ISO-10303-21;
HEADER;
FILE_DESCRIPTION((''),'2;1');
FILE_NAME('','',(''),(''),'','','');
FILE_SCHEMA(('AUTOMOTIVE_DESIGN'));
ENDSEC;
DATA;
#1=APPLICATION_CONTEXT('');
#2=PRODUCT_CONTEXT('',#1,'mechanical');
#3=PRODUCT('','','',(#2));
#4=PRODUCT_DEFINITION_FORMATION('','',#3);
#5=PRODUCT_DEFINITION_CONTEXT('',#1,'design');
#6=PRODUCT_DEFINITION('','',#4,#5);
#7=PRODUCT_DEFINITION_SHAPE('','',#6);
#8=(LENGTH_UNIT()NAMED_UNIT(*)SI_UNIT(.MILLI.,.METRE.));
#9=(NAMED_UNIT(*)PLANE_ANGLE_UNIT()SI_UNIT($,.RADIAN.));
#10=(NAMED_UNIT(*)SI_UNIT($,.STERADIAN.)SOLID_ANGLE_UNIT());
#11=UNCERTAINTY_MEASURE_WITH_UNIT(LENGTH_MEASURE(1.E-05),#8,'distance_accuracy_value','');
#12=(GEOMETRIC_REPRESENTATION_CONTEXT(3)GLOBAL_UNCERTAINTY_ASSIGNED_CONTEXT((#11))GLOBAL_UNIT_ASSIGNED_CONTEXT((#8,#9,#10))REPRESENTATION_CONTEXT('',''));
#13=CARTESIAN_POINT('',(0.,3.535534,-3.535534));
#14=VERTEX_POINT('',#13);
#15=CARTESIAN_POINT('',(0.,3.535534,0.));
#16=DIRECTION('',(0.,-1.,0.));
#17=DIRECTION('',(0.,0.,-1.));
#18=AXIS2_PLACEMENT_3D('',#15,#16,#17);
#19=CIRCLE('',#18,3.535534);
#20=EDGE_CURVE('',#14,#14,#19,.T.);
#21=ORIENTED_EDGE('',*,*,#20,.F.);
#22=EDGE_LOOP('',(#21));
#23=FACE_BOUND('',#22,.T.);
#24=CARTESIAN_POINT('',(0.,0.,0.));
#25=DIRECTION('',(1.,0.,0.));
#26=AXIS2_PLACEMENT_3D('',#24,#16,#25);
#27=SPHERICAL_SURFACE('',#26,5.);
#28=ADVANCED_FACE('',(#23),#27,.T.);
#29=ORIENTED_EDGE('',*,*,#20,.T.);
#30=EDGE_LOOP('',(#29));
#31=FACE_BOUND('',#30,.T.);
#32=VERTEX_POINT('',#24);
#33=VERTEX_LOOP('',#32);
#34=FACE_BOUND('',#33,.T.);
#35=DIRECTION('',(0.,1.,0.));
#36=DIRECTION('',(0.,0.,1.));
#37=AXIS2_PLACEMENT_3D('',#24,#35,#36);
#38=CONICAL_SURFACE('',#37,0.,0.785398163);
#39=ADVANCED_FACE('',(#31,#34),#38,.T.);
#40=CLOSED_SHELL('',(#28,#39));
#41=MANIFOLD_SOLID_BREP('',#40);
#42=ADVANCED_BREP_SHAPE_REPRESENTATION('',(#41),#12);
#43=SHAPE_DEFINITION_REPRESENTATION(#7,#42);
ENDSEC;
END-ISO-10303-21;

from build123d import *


with BuildPart() as part:
    # Sketch1 → Revolve1 (revolve)
    with BuildSketch(Plane.XY, mode=Mode.PRIVATE) as revolve1_sk:
        with BuildLine():
            Line((3.535533906, 3.535533906), (0, 0))
            Line((0, 0), (0, 5))
            ThreePointArc((0, 5), (1.913417162, 4.619397663), (3.535533906, 3.535533906))
        make_face()
    revolve(revolve1_sk.sketch.rotate(Axis((0, 0, 0), (0, 1, 0)), 270), axis=Axis((0, 0, 0), (0, 1, 0)))


solid = part.part
